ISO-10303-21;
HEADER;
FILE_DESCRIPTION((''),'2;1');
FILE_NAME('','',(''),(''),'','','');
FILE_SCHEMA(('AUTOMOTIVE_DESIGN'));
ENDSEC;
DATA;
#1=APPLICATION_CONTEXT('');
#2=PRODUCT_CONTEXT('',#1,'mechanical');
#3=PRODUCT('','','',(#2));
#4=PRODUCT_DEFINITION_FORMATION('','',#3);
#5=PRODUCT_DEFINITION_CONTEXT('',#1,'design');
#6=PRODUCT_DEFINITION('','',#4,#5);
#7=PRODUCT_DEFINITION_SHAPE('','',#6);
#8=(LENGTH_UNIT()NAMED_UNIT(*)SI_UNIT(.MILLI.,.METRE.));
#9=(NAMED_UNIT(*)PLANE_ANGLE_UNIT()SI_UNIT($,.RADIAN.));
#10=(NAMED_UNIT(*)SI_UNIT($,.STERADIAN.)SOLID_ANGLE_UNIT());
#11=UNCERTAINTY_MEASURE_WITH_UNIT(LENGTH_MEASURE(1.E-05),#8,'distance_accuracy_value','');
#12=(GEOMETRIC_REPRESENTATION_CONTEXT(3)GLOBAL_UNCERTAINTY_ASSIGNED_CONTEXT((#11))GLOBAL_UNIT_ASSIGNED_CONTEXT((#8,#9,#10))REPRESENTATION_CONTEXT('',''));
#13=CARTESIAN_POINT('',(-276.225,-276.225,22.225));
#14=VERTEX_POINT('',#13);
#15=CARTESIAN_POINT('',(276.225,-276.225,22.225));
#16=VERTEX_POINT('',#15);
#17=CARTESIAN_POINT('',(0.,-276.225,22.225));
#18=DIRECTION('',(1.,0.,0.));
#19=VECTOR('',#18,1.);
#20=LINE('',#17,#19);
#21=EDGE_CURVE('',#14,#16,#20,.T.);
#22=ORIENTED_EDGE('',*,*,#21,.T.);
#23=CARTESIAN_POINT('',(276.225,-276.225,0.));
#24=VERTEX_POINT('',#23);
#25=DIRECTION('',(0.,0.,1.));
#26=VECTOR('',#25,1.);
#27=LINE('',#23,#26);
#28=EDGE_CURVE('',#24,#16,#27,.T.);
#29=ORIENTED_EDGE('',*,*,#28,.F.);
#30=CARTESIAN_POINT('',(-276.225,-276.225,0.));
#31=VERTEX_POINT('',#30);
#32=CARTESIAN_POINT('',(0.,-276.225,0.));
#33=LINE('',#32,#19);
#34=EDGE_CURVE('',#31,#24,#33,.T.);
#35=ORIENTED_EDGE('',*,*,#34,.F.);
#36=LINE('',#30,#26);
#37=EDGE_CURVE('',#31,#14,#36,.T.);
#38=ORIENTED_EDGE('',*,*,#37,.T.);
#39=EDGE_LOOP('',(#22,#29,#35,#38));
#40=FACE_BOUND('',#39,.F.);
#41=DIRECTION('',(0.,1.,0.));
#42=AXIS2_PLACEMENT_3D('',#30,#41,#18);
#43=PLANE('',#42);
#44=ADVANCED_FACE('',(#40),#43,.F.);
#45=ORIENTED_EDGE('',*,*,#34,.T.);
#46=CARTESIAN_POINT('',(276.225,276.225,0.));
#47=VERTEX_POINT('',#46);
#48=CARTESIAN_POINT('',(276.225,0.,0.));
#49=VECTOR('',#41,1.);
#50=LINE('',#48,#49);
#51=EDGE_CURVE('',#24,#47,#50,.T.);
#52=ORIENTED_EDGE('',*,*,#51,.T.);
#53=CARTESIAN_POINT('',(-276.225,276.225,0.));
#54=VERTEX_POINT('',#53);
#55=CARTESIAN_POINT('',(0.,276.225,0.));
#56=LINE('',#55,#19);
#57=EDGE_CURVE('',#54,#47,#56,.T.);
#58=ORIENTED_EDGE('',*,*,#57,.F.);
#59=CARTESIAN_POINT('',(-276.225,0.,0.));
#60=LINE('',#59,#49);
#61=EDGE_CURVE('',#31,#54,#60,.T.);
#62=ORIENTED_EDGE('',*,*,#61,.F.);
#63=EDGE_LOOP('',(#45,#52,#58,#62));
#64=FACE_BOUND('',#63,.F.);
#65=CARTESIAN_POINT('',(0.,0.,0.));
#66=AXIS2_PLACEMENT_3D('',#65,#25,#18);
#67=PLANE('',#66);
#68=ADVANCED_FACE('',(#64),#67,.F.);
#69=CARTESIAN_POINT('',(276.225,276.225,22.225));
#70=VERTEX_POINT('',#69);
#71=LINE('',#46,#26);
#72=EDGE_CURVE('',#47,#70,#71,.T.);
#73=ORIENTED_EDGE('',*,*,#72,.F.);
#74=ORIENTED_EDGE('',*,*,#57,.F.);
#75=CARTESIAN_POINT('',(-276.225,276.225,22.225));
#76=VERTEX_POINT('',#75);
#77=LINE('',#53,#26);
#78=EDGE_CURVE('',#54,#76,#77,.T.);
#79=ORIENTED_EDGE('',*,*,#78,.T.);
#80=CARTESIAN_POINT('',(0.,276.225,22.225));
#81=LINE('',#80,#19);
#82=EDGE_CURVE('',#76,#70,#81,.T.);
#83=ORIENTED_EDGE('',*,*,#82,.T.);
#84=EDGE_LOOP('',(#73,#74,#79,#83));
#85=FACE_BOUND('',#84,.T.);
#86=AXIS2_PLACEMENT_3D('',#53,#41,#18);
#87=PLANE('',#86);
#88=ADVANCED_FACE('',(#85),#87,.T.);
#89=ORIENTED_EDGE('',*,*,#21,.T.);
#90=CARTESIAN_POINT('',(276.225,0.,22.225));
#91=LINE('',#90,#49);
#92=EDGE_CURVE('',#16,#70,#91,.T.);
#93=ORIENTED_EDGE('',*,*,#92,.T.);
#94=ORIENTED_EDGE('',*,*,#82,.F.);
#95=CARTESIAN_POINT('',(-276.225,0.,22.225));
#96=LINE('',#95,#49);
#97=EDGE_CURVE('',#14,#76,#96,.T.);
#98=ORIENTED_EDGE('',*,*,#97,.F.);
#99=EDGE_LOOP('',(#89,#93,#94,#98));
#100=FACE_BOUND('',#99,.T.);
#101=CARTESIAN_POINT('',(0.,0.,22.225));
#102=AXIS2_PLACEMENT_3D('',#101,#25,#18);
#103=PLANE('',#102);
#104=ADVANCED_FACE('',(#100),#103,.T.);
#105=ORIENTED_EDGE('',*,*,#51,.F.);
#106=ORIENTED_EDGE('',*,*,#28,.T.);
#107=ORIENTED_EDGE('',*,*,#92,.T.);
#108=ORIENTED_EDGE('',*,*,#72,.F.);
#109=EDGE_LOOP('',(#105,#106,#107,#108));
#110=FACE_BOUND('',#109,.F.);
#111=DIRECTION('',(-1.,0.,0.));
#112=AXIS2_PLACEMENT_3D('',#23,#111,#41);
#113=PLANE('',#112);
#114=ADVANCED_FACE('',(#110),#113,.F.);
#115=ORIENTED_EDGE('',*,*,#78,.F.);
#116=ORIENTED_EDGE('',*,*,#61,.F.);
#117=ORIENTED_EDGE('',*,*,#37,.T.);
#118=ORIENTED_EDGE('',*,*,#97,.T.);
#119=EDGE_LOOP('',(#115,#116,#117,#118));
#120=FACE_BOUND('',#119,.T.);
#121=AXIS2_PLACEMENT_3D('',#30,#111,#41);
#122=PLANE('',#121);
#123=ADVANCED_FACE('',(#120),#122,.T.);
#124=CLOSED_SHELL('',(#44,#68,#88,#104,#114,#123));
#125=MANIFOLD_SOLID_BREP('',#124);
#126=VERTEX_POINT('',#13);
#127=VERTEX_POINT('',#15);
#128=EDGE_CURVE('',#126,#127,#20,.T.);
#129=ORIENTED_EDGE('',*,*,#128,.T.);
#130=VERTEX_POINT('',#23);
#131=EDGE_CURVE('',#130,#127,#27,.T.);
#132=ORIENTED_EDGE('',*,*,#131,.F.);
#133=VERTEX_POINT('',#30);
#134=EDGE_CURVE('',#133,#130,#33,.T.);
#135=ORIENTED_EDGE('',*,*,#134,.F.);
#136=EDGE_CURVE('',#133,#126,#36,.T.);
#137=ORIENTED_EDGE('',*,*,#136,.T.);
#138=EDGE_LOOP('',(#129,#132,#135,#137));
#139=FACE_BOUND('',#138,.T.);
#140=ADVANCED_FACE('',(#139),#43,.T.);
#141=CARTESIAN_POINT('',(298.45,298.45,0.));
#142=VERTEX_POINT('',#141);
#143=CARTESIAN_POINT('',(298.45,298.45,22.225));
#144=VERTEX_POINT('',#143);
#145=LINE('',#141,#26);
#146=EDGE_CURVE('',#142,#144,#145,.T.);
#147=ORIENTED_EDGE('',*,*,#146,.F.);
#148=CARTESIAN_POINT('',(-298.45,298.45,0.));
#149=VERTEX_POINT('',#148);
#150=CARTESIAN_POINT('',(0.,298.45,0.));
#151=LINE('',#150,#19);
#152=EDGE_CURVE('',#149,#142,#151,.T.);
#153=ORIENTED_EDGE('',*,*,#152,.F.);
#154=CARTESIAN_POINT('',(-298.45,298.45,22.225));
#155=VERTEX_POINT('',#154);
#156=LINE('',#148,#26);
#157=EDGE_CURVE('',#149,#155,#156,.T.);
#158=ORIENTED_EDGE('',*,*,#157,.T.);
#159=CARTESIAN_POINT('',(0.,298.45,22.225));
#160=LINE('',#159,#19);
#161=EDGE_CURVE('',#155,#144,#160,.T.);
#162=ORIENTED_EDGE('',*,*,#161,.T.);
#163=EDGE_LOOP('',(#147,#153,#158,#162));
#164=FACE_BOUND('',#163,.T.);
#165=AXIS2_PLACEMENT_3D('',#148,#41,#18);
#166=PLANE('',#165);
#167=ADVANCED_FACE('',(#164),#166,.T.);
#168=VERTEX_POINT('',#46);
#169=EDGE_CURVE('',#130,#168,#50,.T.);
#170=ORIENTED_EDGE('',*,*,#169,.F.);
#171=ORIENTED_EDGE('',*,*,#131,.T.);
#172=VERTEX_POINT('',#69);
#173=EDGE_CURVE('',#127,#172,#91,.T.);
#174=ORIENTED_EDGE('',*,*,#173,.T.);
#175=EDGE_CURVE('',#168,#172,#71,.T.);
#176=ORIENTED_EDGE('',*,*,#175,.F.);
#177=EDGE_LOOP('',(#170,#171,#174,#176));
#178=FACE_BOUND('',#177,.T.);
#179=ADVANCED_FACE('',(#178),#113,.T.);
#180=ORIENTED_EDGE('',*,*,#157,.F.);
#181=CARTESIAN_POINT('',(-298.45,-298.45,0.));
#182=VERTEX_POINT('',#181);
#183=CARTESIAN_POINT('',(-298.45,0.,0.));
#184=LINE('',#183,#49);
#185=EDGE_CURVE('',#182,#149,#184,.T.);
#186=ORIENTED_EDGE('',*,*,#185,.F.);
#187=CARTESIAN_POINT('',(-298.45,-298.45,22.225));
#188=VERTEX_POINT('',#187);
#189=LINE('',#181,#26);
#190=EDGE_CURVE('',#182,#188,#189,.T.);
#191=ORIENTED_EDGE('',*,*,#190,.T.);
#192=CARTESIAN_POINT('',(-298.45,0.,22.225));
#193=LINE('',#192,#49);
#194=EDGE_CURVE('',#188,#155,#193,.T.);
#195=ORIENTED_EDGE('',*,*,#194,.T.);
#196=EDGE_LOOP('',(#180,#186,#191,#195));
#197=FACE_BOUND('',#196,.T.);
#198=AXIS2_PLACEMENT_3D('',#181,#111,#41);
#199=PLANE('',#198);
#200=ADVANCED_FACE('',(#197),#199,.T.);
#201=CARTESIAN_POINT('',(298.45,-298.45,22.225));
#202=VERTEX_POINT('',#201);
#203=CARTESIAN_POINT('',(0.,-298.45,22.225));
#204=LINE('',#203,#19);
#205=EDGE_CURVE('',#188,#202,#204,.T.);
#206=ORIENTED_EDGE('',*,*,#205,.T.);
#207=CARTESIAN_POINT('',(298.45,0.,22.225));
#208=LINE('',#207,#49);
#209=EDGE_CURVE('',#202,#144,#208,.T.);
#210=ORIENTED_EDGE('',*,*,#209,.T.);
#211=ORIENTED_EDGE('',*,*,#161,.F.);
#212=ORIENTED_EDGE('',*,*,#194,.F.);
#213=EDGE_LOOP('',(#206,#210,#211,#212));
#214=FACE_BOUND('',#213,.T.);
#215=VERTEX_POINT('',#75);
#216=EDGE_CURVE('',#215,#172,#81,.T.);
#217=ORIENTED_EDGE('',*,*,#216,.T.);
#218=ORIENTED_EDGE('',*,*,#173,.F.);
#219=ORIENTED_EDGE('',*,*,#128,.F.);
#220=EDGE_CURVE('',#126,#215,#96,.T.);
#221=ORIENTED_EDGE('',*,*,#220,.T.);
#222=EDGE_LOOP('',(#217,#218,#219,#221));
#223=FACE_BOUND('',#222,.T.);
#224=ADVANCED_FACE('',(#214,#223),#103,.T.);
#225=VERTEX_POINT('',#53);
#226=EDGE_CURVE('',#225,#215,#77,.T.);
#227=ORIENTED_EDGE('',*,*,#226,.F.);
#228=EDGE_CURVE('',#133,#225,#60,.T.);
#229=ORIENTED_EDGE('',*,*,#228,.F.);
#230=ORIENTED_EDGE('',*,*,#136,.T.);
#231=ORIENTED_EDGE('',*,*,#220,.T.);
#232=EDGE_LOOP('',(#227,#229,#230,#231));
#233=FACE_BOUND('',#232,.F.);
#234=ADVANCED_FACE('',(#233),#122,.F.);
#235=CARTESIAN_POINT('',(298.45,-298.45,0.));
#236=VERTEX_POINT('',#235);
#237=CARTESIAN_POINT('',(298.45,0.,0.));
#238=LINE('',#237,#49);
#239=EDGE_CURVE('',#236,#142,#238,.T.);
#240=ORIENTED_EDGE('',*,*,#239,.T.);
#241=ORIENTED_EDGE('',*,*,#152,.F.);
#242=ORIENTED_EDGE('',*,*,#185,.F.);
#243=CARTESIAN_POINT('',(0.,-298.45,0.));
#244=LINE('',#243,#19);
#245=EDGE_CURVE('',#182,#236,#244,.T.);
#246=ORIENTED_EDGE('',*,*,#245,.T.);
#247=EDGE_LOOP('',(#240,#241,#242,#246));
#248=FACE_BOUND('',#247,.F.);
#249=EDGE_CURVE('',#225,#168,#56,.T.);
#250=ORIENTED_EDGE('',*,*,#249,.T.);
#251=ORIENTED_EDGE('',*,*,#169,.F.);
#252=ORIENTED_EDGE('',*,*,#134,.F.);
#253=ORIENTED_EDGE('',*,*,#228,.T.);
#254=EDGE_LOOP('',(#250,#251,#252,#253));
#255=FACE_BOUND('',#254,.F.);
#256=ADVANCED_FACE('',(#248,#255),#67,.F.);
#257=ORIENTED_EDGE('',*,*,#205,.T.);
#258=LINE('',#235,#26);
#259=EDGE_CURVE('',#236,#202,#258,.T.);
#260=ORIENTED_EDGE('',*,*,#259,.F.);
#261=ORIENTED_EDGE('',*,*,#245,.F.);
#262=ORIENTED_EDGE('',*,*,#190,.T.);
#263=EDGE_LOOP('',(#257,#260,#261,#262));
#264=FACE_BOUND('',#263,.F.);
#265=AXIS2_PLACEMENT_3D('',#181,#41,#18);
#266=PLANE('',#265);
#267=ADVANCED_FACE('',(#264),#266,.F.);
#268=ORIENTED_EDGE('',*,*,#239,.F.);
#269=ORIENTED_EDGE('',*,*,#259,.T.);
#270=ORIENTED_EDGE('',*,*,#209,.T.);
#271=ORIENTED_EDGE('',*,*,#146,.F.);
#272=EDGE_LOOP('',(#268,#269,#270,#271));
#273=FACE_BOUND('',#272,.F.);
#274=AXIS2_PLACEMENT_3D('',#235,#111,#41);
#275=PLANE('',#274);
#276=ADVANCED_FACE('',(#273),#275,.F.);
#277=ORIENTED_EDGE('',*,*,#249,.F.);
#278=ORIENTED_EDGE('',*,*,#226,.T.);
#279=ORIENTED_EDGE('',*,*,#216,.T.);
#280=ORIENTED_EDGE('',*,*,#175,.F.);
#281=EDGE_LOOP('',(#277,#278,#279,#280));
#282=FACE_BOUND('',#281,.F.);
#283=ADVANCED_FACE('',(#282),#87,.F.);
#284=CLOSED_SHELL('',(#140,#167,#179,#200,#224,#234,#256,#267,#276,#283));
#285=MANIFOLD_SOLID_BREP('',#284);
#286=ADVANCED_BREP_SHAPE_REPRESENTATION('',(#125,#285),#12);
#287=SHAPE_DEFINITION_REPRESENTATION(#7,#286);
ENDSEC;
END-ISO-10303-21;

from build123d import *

# Parameters (mm, degrees)
F0_W     = 596.9
F0_H     = 596.9
F0_W_2   = 552.45
F0_H_2   = 552.45
F1_DEPTH = 22.225
F2_W     = 552.45
F2_H     = 552.45
F3_DEPTH = 22.225


with BuildPart() as f1:
    # F0 (on Top) → F1 (new body)
    with BuildSketch(Plane.XY):
        Rectangle(F0_W, F0_H)
        Rectangle(F0_W_2, F0_H_2, mode=Mode.SUBTRACT)
    extrude(amount=F1_DEPTH)


with BuildPart() as f3:
    # F2 (on Top) → F3 (new body)
    with BuildSketch(Plane.XY):
        Rectangle(F2_W, F2_H)
    extrude(amount=F3_DEPTH)


solid = Compound([f1.part, f3.part])
